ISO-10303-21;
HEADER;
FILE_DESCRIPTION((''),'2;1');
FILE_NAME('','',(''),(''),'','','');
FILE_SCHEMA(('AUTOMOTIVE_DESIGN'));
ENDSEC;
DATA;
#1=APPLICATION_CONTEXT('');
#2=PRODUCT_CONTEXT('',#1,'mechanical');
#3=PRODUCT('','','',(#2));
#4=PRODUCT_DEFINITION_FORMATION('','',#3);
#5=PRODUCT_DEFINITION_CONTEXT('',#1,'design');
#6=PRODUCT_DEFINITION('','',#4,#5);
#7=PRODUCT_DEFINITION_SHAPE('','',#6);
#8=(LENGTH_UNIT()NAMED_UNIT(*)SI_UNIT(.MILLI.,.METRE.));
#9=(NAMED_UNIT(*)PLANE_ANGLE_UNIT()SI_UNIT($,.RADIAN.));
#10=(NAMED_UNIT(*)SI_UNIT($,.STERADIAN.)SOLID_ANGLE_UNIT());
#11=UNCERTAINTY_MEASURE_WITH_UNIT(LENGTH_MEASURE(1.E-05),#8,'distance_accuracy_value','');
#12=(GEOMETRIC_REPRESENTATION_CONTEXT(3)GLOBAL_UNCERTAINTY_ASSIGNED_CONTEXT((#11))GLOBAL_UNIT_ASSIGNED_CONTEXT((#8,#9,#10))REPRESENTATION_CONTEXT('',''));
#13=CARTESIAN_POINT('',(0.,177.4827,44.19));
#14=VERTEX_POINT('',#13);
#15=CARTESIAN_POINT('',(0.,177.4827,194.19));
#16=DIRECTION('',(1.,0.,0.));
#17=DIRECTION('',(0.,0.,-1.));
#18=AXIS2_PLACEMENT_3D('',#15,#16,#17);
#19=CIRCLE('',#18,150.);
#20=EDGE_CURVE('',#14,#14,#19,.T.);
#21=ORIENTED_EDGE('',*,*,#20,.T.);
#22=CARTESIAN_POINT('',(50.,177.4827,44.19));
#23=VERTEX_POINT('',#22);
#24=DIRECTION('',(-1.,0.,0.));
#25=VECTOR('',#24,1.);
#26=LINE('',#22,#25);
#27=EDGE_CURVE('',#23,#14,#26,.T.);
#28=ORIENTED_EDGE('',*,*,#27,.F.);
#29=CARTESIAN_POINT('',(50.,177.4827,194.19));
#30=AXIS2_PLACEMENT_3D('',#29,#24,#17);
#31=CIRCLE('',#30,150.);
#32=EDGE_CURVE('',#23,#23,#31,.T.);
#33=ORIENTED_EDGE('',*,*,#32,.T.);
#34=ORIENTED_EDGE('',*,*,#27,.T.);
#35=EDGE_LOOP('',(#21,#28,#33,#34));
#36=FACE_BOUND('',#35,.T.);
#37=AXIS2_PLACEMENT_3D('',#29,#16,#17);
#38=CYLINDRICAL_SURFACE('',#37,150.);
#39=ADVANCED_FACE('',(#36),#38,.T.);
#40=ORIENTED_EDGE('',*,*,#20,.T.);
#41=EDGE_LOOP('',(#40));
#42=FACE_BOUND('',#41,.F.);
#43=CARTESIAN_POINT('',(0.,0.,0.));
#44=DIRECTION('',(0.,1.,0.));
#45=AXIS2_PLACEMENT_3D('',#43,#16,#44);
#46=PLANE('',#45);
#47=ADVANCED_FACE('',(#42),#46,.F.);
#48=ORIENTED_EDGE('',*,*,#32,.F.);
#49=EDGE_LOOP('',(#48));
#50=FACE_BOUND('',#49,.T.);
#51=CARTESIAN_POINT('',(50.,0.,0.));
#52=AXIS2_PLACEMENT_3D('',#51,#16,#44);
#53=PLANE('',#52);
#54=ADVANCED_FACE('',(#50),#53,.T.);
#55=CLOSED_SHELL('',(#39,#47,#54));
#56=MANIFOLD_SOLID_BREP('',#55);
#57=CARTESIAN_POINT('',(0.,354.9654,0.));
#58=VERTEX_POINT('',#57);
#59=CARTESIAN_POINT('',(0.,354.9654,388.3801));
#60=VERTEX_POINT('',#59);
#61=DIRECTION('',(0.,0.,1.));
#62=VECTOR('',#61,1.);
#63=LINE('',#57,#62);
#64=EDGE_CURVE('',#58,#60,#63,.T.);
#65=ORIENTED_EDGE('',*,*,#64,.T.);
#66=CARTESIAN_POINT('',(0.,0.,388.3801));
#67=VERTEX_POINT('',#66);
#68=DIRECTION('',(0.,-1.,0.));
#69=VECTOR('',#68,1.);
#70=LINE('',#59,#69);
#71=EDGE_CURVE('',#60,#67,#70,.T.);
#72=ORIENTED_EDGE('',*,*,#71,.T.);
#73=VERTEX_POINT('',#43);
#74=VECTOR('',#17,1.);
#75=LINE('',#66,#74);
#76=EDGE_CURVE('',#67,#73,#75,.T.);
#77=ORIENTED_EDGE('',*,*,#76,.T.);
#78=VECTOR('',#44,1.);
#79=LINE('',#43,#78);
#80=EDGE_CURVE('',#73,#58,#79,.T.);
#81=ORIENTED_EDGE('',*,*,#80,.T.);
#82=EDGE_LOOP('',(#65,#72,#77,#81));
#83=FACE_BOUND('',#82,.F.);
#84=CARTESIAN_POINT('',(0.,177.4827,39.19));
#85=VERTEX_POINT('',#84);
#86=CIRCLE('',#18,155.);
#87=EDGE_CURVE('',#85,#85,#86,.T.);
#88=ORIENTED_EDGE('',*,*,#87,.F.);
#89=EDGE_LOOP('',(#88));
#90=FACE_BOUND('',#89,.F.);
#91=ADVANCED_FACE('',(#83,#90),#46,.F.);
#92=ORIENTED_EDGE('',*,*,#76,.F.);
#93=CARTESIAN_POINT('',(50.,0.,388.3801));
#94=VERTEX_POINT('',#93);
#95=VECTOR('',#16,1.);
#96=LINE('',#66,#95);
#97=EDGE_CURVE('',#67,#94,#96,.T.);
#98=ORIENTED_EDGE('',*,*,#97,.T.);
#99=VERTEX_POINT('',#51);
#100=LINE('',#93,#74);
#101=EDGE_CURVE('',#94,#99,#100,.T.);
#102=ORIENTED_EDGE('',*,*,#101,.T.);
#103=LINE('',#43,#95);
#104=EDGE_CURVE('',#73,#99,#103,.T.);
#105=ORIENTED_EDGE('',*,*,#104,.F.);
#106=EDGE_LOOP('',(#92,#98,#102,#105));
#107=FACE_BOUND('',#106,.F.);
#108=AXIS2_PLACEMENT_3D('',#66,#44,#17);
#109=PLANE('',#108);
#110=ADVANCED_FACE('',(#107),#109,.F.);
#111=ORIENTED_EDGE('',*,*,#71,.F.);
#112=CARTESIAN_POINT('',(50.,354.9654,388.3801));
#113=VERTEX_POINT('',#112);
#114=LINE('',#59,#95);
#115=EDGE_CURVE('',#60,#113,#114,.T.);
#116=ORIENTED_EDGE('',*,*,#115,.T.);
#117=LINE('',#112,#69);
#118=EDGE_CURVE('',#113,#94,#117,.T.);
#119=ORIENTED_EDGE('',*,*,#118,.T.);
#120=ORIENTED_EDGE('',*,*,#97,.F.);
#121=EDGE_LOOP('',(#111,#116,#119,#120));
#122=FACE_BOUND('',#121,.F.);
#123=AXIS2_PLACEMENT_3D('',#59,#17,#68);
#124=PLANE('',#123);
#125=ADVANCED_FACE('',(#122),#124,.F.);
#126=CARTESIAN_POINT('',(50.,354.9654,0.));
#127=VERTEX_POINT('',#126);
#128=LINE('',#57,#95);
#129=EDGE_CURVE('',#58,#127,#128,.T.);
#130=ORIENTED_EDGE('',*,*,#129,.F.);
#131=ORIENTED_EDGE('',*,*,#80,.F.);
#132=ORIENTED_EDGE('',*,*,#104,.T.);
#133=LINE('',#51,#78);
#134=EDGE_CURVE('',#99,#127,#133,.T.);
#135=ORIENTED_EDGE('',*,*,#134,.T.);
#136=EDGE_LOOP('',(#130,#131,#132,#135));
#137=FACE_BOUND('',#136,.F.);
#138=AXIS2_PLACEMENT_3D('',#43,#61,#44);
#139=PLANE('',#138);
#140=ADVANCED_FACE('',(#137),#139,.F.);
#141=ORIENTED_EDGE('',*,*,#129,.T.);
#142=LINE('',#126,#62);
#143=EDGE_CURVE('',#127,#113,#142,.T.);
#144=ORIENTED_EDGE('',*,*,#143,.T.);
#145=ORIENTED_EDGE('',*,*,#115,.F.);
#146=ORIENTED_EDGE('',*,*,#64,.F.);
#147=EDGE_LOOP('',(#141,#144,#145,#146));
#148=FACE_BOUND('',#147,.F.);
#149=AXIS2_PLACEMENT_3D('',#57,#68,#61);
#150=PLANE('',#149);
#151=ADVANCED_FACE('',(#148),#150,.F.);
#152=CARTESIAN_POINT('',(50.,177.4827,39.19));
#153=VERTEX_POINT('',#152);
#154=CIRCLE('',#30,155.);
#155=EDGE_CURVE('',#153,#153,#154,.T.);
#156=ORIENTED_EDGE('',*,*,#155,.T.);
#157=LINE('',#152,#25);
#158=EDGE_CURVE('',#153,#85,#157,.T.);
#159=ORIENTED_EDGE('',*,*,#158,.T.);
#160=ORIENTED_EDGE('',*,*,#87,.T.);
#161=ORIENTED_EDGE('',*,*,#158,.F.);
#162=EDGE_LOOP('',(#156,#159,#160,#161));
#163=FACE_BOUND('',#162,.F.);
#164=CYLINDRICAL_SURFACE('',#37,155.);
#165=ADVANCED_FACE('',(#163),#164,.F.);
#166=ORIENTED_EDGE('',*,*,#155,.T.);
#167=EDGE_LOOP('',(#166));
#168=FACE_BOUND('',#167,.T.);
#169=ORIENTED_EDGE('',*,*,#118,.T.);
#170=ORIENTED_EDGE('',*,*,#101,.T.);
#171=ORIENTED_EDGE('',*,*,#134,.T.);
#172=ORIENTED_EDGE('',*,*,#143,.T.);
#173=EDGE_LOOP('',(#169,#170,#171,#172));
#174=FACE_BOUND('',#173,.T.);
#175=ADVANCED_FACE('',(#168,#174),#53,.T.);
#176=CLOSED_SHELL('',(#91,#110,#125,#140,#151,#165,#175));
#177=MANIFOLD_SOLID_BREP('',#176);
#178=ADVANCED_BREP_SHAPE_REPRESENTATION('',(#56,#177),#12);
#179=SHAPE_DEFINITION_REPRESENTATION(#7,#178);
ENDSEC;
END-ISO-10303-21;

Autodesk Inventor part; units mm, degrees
ref_plane "YZ Plane" through (0, 0, 0) normal (1, 0, 0) x (0, 1, 0)
ref_plane "XZ Plane" through (0, 0, 0) normal (0, 1, 0) x (-1, 0, 0)
ref_plane "XY Plane" through (0, 0, 0) normal (0, 0, 1) x (1, 0, 0)
sketch "スケッチ1" plane through (0, 0, 0) normal (1, 0, 0) x (0, 1, 0)
  line L0 (0, 0) -> (354.9654, 0)
  line L1 (354.9654, 0) -> (354.9654, 388.3801)
  line L2 (354.9654, 388.3801) -> (0, 388.3801)
  line L3 (0, 388.3801) -> (0, 0)
extrude "押し出し1" add sketch "スケッチ1" along normal blind 50
sketch "スケッチ2" plane through (50, 0, 0) normal (1, 0, 0) x (0, 0, -1)
  line L0 (-388.3801, 354.9654) -> (-388.3801, 0) projected
  line L1 (-388.3801, 177.4827) -> (0, 177.4827)
  line L2 (0, 0) -> (0, 354.9654) projected
  line L3 (-388.3801, 0) -> (0, 0) projected
  line L4 (-194.19, 0) -> (-194.19, 354.9654)
  line L5 (0, 354.9654) -> (-388.3801, 354.9654) projected
  circle A0 centre (-194.19, 177.4827) radius 150
  circle A1 centre (-194.19, 177.4827) radius 155
  point P0 (-194.19, 177.4827)
  dimension "d2" = 300
  dimension "d3" = 5
extrude "押し出し2" cut sketch "スケッチ2" against normal through all contours A1 L4 A0 L1 | L1 A0 L4 A1 | A1 L1 A0 L4 | L4 A0 L1 A1
properties part number "radiator 2018"
